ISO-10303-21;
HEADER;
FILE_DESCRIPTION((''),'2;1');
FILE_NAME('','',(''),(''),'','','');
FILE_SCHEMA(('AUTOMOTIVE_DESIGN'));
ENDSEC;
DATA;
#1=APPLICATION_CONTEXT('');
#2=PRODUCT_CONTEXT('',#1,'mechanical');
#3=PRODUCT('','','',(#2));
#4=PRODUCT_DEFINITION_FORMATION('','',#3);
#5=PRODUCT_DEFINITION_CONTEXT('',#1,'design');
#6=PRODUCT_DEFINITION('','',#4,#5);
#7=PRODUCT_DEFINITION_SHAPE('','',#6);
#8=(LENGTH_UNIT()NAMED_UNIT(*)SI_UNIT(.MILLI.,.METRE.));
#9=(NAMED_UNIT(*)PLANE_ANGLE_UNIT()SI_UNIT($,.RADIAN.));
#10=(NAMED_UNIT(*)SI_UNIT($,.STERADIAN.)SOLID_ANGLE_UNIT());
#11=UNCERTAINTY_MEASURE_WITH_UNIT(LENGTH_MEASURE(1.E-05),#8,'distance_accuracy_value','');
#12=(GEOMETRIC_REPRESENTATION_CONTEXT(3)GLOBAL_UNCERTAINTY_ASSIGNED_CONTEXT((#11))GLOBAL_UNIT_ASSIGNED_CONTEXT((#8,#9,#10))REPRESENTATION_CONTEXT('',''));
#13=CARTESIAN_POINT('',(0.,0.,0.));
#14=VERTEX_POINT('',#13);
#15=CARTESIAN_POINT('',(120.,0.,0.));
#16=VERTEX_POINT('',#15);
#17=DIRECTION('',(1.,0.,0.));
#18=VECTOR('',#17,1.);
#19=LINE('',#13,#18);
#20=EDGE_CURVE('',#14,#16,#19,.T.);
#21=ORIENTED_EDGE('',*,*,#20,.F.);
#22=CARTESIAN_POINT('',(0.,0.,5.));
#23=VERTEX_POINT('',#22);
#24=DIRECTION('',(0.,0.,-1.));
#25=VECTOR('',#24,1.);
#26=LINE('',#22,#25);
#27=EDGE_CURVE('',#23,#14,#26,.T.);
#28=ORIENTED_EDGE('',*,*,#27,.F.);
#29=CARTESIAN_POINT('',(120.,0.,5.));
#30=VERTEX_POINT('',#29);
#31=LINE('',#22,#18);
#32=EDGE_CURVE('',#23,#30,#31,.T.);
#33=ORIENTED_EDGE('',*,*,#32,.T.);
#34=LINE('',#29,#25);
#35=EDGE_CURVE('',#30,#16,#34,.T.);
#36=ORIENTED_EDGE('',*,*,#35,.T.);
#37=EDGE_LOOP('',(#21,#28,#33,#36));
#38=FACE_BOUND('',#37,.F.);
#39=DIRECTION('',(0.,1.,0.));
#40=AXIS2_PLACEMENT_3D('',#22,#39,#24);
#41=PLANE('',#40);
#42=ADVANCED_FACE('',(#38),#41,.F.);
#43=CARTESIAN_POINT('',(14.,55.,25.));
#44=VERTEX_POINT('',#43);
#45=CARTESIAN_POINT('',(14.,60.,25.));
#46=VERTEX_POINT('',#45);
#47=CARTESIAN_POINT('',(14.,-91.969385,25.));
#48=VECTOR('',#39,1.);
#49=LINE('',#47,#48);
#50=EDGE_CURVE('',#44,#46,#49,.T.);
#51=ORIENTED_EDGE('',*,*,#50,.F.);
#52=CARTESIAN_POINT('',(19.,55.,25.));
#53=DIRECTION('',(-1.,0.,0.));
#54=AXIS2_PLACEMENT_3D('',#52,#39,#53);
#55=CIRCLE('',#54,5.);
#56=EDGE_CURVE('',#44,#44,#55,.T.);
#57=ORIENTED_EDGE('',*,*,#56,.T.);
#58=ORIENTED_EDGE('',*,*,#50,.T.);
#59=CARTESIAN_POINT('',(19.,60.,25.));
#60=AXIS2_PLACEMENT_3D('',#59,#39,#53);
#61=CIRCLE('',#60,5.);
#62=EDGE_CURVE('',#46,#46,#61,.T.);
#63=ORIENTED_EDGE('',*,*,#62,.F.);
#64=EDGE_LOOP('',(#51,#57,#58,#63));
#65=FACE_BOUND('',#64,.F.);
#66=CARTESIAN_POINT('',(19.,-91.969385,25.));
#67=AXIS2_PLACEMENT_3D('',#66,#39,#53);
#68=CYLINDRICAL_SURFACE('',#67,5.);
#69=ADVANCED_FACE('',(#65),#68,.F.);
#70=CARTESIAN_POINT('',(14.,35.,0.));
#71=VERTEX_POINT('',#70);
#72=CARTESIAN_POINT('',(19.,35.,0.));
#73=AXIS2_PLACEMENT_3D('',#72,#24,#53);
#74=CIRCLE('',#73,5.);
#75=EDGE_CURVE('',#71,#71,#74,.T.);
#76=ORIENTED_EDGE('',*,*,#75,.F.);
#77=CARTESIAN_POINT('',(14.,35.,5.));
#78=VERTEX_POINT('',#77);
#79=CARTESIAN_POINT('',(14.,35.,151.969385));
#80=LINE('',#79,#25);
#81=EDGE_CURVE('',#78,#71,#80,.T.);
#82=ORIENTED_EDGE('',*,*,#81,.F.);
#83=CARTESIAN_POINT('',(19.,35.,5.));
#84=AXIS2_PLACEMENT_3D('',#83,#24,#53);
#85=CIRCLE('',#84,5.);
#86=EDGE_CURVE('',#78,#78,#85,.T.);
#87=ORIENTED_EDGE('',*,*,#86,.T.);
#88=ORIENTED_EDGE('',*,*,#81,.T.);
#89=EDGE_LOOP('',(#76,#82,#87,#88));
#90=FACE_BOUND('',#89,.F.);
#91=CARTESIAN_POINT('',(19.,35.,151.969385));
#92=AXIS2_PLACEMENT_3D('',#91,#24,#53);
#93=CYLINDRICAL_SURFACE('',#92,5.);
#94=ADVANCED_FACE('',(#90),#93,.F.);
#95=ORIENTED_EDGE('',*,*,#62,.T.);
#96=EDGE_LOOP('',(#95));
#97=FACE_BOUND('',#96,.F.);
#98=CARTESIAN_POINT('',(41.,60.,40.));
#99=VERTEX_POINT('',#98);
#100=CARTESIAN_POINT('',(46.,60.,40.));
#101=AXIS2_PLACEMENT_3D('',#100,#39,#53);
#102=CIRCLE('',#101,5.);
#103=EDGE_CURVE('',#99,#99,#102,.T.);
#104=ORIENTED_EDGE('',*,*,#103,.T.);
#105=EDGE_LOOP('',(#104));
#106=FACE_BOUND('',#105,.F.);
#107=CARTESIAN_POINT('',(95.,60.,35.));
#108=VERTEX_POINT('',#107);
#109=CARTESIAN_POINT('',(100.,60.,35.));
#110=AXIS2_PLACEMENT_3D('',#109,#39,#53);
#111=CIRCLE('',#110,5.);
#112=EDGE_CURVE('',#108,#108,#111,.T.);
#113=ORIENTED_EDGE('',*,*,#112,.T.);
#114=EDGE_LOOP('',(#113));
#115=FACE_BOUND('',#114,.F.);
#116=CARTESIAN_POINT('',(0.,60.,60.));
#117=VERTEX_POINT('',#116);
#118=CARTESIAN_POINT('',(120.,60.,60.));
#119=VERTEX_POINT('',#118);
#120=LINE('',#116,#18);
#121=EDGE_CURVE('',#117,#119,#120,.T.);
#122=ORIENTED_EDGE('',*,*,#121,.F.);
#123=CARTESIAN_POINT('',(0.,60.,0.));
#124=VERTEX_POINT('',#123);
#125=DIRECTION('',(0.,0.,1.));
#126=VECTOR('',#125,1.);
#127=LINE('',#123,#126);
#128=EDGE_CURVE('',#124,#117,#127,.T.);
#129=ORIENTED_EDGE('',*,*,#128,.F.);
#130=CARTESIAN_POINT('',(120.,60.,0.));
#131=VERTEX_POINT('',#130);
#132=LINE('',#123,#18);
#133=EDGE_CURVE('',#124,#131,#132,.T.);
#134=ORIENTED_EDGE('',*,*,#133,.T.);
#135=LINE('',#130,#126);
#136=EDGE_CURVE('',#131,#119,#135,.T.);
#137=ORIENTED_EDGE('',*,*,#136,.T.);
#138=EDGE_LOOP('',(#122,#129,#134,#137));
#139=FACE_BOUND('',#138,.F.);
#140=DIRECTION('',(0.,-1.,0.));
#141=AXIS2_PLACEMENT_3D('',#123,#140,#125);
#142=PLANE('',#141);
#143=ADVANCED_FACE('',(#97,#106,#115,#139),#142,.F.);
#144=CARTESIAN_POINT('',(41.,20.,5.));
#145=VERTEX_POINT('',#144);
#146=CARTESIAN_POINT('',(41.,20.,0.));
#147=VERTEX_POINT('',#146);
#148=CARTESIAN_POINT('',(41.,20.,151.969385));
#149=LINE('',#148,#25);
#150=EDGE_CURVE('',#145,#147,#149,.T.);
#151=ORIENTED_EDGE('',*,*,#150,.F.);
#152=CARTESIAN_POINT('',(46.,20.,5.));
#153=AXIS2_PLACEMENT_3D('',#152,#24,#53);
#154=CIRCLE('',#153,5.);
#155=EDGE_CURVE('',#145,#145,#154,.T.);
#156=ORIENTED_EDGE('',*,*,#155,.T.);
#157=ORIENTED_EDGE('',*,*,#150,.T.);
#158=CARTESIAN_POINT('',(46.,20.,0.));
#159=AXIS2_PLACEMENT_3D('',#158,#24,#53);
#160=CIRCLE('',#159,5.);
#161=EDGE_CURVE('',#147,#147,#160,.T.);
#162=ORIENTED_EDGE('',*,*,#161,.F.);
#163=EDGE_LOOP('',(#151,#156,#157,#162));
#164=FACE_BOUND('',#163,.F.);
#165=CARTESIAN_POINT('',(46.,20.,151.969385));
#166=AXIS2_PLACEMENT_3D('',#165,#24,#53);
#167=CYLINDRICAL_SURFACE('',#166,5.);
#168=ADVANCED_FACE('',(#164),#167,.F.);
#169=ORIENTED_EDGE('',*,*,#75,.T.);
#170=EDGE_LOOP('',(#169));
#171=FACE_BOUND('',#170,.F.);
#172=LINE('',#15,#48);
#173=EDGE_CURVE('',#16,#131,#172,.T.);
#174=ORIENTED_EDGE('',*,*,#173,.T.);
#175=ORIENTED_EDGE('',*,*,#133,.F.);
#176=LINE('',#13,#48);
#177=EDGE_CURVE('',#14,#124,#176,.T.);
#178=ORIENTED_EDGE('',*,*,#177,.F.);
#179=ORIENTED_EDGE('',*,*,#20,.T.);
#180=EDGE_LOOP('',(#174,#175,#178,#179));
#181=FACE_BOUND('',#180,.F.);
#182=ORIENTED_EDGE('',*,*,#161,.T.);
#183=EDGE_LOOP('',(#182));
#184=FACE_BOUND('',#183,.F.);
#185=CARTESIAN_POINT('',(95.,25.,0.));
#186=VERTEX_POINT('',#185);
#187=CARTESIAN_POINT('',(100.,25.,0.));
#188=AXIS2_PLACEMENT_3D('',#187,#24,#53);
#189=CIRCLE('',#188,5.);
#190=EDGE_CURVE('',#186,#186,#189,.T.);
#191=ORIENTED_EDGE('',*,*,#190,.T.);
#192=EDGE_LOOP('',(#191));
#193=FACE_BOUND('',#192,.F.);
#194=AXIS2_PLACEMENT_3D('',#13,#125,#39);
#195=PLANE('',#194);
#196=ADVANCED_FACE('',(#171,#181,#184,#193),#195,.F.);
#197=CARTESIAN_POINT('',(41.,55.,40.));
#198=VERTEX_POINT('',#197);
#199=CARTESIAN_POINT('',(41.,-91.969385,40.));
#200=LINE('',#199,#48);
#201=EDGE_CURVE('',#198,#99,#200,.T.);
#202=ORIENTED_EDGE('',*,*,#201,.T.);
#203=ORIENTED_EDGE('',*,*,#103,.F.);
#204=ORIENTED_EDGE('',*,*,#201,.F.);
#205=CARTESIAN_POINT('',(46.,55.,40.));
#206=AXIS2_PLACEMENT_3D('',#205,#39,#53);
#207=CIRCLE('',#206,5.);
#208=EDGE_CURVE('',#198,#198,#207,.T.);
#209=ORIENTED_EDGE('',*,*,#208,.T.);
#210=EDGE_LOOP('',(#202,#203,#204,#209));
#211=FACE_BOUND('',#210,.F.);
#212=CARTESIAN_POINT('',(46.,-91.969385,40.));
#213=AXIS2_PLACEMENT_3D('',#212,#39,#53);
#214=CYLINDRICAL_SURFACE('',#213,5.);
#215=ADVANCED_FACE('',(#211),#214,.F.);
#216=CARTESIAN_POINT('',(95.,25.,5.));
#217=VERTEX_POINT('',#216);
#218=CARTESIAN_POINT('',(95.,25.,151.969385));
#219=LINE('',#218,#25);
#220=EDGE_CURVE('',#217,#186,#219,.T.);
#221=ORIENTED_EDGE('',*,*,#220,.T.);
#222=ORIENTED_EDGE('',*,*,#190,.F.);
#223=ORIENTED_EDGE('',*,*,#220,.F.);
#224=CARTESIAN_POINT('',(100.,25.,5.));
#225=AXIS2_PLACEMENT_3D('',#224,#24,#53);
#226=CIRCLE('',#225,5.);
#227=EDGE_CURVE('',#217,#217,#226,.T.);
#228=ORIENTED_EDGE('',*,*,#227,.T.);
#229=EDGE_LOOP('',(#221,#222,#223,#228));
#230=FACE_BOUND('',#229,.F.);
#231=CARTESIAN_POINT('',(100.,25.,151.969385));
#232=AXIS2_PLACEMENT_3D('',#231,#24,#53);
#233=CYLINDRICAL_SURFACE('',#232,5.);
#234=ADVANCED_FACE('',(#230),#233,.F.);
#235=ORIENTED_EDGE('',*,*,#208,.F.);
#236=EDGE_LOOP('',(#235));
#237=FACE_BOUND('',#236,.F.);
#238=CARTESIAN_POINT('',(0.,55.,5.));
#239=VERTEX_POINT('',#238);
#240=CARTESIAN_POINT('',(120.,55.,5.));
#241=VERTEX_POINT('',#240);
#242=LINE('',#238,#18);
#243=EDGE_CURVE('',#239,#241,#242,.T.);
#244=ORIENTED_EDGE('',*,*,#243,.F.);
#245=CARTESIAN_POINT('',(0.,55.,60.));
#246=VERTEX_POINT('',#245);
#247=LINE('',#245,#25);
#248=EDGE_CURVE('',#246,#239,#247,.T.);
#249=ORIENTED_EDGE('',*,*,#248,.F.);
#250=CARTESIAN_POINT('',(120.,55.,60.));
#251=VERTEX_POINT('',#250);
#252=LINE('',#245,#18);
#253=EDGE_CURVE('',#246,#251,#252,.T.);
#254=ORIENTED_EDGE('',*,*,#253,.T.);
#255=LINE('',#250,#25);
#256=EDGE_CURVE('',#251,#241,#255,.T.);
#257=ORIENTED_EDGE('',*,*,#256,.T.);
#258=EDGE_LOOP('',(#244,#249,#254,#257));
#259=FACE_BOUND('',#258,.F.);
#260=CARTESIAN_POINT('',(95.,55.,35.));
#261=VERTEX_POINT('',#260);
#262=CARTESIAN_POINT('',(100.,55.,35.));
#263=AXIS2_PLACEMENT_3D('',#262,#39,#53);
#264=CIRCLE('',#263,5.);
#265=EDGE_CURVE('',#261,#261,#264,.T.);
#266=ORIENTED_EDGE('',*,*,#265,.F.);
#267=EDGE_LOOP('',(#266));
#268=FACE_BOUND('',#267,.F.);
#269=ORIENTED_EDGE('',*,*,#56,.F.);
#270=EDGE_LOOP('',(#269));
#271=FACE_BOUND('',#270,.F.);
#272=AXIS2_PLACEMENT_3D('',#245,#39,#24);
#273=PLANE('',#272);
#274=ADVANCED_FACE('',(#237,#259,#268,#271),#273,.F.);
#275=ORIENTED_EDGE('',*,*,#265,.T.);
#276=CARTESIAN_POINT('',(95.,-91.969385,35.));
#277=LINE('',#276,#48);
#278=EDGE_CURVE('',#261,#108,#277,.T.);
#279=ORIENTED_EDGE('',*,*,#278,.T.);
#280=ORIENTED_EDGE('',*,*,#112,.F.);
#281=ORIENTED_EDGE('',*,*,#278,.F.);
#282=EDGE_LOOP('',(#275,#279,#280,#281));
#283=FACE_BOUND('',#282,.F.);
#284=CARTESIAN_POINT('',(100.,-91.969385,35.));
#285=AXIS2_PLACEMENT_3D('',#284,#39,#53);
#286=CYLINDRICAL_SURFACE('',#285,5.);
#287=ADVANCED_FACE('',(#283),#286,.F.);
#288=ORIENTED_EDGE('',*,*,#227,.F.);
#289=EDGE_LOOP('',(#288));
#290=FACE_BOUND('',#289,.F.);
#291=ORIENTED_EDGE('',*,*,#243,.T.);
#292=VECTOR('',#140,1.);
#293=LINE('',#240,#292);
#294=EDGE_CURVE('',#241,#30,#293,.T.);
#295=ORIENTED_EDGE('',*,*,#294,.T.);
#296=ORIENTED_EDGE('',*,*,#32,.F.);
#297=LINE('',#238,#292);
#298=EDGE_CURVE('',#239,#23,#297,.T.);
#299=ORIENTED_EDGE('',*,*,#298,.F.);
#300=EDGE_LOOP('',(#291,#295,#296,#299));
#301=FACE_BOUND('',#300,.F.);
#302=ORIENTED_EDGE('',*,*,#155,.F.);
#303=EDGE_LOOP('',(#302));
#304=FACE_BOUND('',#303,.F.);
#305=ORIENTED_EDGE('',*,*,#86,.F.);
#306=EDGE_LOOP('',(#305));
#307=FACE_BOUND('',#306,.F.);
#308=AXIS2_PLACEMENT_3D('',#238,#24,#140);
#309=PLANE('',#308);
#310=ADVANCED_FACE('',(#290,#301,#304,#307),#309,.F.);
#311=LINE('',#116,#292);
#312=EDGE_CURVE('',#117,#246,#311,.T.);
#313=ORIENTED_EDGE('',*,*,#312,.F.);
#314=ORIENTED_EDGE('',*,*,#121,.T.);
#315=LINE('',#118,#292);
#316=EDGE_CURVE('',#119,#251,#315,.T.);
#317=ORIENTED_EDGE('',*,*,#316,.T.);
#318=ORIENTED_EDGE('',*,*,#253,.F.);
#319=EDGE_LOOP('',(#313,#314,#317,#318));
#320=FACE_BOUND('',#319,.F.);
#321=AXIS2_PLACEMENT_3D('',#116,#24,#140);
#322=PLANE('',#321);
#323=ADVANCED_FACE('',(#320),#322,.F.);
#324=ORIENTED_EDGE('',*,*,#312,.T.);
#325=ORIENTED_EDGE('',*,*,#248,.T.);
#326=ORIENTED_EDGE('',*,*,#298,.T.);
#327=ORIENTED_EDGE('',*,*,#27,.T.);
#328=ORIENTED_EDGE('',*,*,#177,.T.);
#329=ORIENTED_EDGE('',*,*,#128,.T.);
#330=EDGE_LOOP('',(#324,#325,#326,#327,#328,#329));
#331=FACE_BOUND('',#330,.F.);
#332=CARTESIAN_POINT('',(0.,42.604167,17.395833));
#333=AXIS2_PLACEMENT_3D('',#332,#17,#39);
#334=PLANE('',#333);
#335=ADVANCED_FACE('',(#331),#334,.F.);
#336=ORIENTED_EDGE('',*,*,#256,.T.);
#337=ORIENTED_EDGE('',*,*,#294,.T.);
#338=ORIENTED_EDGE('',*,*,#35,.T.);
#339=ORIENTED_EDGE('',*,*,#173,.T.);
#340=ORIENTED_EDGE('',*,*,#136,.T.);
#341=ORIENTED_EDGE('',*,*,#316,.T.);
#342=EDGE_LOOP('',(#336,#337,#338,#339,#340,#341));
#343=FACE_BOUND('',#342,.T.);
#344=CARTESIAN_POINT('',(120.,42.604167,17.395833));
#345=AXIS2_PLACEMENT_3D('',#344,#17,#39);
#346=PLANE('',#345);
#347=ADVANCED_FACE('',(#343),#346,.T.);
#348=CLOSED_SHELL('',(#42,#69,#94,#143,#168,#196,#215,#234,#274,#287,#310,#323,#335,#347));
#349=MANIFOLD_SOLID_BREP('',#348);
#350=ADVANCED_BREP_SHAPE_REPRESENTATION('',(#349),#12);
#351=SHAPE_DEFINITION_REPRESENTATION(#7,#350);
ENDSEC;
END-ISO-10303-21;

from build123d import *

# Parameters (mm, degrees)
F1_DEPTH   = 120
F4_D       = 10
F4_ON_F3_D = 10
F6_D       = 10
F8_D       = 10


with BuildPart() as f1:
    # F0 (on Right) → F1 (new body)
    with BuildSketch(Plane.YZ):
        Polygon((0, 5), (0, 0), (60, 0), (60, 60), (55, 60), (55, 5), align=None)
    extrude(amount=F1_DEPTH)

    # F4 (through all)
    with Locations(Plane.XY.offset(5)):
        with Locations((46, 20), (19, 35)):
            Hole(F4_D / 2)

    # F4 on F3 (through all)
    with Locations(Plane.XZ.offset(-55)):
        with Locations((46, 40), (19, 25)):
            Hole(F4_ON_F3_D / 2)

    # F6 (through all)
    with Locations(Plane.XZ.offset(-55)):
        with Locations((100, 35)):
            Hole(F6_D / 2)

    # F8 (through all)
    with Locations(Plane.XY.offset(5)):
        with Locations((100, 25)):
            Hole(F8_D / 2)


solid = f1.part
